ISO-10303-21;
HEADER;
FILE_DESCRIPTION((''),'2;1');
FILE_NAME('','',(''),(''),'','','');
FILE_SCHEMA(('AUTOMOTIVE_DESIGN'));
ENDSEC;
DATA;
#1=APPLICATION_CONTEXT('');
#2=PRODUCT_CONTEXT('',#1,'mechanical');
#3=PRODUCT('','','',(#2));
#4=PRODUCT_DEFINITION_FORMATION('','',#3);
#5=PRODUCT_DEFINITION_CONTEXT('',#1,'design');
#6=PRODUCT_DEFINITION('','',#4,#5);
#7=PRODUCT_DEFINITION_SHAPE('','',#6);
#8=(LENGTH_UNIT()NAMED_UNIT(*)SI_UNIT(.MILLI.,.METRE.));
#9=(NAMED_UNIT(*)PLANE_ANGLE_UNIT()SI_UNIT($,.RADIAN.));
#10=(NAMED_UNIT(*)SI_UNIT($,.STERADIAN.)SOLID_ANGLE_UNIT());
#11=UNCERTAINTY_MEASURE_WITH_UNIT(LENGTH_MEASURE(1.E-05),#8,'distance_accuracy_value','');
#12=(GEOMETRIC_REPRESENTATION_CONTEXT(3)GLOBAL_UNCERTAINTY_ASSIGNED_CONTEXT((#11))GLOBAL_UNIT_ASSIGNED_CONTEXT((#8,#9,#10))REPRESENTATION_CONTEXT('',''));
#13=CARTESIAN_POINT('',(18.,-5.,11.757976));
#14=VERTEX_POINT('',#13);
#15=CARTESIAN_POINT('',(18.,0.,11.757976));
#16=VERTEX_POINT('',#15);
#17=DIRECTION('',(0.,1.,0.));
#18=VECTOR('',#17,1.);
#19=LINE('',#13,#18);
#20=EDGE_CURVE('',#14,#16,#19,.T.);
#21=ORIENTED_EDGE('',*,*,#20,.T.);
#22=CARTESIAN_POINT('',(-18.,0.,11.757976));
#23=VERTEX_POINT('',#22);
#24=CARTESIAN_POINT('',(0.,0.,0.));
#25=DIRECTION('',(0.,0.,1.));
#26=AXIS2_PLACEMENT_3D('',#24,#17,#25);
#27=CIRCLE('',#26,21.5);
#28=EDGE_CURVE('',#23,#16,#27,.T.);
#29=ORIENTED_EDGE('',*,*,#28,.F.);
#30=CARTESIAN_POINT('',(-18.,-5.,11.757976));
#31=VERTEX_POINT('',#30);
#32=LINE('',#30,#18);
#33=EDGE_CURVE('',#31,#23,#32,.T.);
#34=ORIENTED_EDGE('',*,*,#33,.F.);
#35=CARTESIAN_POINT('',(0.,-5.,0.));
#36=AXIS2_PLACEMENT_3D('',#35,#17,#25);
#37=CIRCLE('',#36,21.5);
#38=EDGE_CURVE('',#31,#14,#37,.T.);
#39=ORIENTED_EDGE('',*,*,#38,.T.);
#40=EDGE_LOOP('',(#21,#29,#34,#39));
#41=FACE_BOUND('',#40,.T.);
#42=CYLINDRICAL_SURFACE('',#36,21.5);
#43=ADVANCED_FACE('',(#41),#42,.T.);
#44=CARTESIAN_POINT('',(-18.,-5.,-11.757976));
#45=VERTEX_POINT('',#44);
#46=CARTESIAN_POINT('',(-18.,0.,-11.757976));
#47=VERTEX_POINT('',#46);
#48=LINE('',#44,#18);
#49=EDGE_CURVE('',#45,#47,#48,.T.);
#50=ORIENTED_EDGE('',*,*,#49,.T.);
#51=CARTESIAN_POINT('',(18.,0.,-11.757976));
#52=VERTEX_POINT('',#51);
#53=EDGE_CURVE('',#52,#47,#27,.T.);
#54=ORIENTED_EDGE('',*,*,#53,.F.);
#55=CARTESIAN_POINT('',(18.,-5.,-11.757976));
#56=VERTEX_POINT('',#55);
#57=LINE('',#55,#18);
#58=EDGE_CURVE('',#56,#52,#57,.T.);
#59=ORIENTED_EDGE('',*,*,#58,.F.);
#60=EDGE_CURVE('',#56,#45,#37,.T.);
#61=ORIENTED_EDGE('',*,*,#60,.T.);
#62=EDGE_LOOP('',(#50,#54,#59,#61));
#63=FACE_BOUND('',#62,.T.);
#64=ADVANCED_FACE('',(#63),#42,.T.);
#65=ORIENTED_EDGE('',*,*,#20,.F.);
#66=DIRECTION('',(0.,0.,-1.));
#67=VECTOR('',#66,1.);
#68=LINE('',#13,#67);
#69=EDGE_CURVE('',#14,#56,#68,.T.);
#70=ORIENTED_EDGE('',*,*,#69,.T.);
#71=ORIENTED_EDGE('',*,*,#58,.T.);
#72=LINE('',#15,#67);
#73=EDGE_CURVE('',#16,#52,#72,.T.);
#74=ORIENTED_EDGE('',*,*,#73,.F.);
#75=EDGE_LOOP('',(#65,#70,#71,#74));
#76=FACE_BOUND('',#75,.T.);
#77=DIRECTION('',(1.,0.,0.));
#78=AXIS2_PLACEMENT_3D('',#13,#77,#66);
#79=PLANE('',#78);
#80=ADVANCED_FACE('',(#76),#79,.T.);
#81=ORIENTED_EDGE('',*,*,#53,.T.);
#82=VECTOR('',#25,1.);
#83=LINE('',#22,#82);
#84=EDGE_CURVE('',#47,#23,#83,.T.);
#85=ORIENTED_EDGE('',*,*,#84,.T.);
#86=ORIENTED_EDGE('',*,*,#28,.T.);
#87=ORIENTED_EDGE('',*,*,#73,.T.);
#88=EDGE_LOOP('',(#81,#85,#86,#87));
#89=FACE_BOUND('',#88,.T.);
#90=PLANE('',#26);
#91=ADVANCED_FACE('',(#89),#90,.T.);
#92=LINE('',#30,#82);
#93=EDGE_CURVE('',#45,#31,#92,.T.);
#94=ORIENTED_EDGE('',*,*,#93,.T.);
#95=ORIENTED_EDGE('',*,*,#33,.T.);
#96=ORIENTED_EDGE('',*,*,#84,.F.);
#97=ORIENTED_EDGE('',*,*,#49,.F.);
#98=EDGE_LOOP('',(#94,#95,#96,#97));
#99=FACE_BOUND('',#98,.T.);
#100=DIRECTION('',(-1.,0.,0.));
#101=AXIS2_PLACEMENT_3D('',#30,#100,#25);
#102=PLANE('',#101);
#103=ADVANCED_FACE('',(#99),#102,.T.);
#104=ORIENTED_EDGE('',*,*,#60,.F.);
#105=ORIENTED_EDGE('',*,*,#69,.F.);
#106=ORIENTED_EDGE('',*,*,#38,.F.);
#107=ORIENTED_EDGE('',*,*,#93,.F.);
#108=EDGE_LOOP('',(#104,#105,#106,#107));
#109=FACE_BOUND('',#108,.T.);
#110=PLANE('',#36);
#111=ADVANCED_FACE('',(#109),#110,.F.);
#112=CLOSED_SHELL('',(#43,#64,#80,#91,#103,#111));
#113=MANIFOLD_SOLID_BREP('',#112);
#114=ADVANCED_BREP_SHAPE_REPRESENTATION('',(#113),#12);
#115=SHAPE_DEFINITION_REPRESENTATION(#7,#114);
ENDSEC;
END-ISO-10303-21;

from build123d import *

# Parameters (mm, degrees)
Y_KSEKLIK_EKSTR_ZYON1_DEPTH = 5


with BuildPart() as part:
    # Çizim1 → Yükseklik-Ekstrüzyon1 (new body)
    with BuildSketch(Plane(origin=(0, 0, 0), x_dir=(1, 0, 0), z_dir=(0, 1, 0))):
        with BuildLine():
            Line((-18, -11.757976016), (-18, 11.757976016))
            ThreePointArc((-18, 11.757976016), (0, 21.5), (18, 11.757976016))
            Line((18, 11.757976016), (18, -11.757976016))
            ThreePointArc((18, -11.757976016), (0, -21.5), (-18, -11.757976016))
        make_face()
    extrude(amount=-Y_KSEKLIK_EKSTR_ZYON1_DEPTH)


solid = part.part
